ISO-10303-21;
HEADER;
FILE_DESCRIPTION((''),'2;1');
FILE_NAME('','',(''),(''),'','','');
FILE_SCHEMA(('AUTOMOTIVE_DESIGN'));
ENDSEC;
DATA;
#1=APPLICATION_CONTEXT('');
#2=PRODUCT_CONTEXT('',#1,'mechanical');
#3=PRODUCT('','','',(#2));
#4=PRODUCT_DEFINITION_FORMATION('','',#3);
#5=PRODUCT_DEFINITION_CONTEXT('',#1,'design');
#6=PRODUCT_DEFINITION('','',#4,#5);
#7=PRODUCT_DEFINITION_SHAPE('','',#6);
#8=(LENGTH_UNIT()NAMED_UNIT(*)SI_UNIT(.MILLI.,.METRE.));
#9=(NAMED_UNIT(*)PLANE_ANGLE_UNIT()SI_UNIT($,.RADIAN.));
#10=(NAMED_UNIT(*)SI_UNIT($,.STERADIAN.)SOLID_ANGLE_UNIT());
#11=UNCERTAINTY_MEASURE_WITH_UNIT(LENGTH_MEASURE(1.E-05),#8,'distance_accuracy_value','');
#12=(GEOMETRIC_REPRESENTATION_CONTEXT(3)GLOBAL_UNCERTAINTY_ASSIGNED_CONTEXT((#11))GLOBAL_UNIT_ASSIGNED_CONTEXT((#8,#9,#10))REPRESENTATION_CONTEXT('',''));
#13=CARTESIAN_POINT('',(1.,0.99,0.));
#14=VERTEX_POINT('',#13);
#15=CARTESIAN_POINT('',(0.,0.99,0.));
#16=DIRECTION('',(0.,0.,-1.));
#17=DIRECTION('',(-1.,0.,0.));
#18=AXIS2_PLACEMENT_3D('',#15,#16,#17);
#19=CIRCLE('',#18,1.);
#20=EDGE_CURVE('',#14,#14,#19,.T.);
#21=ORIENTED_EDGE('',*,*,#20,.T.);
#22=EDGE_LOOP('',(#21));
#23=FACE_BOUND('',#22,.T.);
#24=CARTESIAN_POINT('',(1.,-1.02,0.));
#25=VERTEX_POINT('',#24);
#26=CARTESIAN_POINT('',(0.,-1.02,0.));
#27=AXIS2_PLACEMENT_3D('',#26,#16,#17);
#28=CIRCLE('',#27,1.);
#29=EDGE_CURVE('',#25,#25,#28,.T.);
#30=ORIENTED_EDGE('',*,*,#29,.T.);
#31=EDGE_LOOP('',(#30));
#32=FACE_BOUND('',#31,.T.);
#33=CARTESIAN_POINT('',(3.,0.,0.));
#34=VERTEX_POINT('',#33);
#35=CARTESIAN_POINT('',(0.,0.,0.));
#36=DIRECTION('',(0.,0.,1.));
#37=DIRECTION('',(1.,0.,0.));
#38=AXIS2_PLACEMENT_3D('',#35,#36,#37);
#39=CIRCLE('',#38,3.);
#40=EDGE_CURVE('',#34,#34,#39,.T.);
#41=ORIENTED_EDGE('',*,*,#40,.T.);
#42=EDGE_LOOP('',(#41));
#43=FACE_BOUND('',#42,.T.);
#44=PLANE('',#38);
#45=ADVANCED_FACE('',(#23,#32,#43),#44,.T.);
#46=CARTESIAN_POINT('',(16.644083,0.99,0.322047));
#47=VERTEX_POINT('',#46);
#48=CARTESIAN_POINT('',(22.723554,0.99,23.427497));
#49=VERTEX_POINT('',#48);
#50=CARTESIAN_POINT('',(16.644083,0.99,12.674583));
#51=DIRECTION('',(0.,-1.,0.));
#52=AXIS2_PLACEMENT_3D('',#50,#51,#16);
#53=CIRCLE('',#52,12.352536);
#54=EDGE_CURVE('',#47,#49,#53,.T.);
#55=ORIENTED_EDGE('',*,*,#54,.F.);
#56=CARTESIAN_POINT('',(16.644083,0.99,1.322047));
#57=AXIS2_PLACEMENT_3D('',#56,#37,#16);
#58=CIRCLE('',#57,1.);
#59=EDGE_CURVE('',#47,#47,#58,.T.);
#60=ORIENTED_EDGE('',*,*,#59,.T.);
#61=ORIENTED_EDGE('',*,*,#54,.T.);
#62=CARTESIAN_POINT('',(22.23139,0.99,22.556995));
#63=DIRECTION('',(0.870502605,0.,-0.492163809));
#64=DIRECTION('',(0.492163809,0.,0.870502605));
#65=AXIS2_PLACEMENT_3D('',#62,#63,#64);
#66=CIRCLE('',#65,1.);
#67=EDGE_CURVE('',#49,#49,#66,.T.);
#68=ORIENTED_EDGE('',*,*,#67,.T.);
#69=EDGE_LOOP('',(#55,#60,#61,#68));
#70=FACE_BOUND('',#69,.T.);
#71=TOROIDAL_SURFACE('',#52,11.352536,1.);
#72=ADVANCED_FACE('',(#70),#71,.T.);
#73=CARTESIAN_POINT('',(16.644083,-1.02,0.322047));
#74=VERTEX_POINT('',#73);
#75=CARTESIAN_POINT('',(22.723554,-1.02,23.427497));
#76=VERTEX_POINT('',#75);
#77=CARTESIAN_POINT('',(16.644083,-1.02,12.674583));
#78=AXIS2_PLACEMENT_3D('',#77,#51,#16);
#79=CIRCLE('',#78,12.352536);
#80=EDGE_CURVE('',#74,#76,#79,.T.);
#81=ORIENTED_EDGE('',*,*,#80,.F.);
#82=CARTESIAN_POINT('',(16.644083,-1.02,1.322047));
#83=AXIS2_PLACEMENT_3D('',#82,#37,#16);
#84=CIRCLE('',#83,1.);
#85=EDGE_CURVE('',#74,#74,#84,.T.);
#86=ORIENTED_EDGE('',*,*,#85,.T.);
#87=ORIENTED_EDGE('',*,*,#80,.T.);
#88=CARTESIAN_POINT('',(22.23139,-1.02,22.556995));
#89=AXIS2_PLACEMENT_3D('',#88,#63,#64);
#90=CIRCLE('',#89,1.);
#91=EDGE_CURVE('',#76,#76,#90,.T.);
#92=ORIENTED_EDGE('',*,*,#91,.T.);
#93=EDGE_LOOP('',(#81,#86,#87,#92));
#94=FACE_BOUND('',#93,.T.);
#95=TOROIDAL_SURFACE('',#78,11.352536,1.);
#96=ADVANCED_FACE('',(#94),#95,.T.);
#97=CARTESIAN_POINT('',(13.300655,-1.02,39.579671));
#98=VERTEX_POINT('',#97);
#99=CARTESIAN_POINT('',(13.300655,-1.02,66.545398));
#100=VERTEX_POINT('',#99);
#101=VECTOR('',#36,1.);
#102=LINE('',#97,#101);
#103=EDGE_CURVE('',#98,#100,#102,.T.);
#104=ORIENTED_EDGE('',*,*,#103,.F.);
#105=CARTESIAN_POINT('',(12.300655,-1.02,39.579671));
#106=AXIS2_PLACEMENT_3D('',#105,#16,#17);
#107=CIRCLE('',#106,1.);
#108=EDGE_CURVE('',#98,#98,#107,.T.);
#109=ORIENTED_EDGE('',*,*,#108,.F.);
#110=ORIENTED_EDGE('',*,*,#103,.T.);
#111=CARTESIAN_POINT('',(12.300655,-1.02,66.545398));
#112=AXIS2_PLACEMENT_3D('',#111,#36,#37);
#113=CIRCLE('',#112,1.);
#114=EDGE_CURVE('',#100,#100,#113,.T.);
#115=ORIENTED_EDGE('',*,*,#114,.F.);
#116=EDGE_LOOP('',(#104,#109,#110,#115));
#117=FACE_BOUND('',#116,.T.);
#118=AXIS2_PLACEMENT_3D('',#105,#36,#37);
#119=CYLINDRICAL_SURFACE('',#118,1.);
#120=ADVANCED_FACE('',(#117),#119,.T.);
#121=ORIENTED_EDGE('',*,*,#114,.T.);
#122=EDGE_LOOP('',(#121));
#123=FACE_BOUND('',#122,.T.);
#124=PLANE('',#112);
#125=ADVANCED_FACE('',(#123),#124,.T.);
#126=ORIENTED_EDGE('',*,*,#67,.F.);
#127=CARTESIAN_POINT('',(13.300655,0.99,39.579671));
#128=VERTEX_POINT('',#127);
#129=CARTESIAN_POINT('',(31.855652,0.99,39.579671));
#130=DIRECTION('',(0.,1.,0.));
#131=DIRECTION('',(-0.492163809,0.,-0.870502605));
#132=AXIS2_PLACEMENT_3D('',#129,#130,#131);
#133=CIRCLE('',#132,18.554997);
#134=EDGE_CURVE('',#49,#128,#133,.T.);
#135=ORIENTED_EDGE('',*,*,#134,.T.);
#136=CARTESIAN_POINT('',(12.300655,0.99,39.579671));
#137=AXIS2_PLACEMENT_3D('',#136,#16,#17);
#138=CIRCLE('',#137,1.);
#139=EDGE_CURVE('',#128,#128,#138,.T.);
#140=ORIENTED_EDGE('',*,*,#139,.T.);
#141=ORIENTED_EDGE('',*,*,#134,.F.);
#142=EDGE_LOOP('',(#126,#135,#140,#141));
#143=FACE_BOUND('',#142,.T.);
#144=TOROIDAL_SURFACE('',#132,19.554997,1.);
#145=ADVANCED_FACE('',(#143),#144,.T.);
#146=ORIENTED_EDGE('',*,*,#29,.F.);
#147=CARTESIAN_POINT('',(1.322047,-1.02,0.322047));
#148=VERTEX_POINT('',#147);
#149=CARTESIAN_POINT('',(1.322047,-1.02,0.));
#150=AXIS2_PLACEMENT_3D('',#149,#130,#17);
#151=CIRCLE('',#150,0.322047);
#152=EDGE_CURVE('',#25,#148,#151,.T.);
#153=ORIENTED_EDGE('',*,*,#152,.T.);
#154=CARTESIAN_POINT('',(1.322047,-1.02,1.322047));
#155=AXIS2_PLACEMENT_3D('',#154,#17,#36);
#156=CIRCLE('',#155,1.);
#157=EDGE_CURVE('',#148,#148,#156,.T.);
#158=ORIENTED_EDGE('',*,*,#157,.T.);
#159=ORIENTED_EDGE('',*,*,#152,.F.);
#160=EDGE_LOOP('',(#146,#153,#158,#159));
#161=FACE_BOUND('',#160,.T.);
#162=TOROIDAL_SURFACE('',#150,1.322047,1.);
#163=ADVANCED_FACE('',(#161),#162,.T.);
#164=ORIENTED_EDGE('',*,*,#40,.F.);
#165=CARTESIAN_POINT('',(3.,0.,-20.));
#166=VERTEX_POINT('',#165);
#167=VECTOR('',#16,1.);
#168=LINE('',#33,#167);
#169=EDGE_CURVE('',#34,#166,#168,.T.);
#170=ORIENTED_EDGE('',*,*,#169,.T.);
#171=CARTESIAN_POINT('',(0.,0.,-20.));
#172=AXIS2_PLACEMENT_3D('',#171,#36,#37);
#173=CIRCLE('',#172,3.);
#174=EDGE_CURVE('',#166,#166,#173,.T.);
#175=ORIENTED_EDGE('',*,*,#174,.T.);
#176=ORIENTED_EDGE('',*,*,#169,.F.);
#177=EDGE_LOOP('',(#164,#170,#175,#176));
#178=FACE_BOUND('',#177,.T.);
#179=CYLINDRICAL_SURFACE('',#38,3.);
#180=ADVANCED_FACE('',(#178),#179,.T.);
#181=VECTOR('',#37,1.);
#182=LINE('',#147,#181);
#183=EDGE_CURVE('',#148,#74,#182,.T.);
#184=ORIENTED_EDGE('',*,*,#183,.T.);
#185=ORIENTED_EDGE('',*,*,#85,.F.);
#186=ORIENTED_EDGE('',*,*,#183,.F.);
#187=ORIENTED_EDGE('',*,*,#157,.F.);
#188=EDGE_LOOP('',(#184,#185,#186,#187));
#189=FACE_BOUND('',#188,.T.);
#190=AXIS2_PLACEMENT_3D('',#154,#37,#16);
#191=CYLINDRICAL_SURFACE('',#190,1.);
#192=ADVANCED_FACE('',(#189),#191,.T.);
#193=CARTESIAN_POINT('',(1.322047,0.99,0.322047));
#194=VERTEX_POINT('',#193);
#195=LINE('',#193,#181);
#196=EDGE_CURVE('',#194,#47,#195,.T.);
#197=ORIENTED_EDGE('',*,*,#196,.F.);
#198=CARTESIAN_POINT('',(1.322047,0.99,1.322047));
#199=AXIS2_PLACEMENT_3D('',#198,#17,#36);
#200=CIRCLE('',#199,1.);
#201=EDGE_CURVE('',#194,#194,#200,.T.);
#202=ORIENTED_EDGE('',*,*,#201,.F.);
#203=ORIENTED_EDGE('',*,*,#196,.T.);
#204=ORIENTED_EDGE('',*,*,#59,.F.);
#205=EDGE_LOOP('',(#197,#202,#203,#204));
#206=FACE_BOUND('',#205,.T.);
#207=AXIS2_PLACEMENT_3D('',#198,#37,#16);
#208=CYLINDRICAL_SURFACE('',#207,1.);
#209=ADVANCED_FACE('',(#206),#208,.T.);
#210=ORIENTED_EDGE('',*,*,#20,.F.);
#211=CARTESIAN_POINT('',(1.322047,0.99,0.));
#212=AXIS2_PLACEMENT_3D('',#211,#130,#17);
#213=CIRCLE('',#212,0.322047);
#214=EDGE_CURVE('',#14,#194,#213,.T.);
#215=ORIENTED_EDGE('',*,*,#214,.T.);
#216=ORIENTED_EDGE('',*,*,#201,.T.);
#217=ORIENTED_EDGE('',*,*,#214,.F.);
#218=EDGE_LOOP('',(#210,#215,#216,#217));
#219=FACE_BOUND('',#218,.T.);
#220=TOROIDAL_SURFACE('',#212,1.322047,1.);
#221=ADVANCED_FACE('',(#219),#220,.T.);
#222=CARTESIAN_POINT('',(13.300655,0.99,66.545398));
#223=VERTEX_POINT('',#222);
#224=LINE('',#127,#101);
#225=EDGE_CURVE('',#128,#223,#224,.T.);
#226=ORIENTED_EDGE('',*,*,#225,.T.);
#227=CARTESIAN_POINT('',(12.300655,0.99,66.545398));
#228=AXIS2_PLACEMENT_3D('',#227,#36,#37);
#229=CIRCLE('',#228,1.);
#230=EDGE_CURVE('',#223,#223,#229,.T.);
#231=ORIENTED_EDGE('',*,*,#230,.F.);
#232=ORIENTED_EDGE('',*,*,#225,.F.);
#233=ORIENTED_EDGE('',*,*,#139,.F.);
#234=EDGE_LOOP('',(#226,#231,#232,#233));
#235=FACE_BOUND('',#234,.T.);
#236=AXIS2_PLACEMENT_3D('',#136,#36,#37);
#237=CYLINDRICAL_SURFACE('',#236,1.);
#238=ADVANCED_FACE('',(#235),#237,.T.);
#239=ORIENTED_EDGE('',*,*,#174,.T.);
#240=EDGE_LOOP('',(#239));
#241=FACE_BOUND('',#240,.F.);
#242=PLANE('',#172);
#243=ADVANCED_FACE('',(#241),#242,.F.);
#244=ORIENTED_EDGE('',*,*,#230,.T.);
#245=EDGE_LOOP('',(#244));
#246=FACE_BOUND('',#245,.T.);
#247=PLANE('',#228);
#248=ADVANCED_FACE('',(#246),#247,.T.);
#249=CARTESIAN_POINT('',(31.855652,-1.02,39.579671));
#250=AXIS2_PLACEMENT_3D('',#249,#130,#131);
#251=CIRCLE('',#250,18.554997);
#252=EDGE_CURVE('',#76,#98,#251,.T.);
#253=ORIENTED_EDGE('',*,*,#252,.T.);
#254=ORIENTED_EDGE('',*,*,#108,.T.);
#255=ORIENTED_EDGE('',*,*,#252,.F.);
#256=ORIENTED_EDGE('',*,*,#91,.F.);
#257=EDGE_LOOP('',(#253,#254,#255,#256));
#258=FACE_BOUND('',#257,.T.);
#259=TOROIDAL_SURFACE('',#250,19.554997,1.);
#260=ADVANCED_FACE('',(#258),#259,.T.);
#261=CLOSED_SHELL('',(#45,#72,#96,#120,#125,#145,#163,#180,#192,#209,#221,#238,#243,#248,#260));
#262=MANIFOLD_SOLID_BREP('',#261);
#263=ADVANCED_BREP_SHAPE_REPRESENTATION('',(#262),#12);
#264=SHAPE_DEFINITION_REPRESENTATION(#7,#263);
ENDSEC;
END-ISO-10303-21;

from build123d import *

# Parameters (mm, degrees)
SKETCH088_R = 1
SKETCH089_R = 1
SKETCH_R    = 3
PAD_DEPTH   = 20


with BuildPart() as body034:
    # AdditivePipe003: sweep along a path in Sketch087
    with BuildLine(Plane.XZ) as additivepipe003_path:
        ThreePointArc((0, 0), (0.3872185763, 0.9348283385), (1.3220469148, 1.3220469148))
        Line((1.3220469148, 1.3220469148), (16.6440827323, 1.3220469148))
        ThreePointArc((16.6440827323, 1.3220469148), (27.6229376089, 9.7858431574), (22.2313900406, 22.5569948697))
        ThreePointArc((22.2313900406, 22.5569948697), (14.9648212479, 29.7258516976), (12.300654883, 39.5796706434))
        Line((12.300654883, 39.5796706434), (12.300654883, 66.545398))
    # Sketch088 → AdditivePipe003 (sweep)
    with BuildSketch(Plane.XY):
        Circle(SKETCH088_R)
    sweep(path=additivepipe003_path.line, is_frenet=True)


with BuildPart() as body034_1:
    # Body033 placement: moved
    add(body034.part.moved(Location((0, 0.99, 0))))


with BuildPart() as body035:
    # AdditivePipe004: sweep along a path in Sketch090
    with BuildLine(Plane.XZ) as additivepipe004_path:
        ThreePointArc((0, 0), (0.3872185763, 0.9348283385), (1.3220469148, 1.3220469148))
        Line((1.3220469148, 1.3220469148), (16.6440827323, 1.3220469148))
        ThreePointArc((16.6440827323, 1.3220469148), (27.6229376089, 9.7858431574), (22.2313900406, 22.5569948697))
        ThreePointArc((22.2313900406, 22.5569948697), (14.9648212479, 29.7258516976), (12.300654883, 39.5796706434))
        Line((12.300654883, 39.5796706434), (12.300654883, 66.545398))
    # Sketch089 → AdditivePipe004 (sweep)
    with BuildSketch(Plane.XY):
        Circle(SKETCH089_R)
    sweep(path=additivepipe004_path.line, is_frenet=True)


with BuildPart() as body035_1:
    # Body034 placement: moved
    add(body035.part.moved(Location((0, -1.02, 0))))


with BuildPart() as body:
    # Sketch → Pad (new body)
    with BuildSketch(Plane.XY):
        Circle(SKETCH_R)
    extrude(amount=-PAD_DEPTH)

    # Boolean: union Body034, Body035
    add(body034_1.part)
    add(body035_1.part)


solid = body.part
